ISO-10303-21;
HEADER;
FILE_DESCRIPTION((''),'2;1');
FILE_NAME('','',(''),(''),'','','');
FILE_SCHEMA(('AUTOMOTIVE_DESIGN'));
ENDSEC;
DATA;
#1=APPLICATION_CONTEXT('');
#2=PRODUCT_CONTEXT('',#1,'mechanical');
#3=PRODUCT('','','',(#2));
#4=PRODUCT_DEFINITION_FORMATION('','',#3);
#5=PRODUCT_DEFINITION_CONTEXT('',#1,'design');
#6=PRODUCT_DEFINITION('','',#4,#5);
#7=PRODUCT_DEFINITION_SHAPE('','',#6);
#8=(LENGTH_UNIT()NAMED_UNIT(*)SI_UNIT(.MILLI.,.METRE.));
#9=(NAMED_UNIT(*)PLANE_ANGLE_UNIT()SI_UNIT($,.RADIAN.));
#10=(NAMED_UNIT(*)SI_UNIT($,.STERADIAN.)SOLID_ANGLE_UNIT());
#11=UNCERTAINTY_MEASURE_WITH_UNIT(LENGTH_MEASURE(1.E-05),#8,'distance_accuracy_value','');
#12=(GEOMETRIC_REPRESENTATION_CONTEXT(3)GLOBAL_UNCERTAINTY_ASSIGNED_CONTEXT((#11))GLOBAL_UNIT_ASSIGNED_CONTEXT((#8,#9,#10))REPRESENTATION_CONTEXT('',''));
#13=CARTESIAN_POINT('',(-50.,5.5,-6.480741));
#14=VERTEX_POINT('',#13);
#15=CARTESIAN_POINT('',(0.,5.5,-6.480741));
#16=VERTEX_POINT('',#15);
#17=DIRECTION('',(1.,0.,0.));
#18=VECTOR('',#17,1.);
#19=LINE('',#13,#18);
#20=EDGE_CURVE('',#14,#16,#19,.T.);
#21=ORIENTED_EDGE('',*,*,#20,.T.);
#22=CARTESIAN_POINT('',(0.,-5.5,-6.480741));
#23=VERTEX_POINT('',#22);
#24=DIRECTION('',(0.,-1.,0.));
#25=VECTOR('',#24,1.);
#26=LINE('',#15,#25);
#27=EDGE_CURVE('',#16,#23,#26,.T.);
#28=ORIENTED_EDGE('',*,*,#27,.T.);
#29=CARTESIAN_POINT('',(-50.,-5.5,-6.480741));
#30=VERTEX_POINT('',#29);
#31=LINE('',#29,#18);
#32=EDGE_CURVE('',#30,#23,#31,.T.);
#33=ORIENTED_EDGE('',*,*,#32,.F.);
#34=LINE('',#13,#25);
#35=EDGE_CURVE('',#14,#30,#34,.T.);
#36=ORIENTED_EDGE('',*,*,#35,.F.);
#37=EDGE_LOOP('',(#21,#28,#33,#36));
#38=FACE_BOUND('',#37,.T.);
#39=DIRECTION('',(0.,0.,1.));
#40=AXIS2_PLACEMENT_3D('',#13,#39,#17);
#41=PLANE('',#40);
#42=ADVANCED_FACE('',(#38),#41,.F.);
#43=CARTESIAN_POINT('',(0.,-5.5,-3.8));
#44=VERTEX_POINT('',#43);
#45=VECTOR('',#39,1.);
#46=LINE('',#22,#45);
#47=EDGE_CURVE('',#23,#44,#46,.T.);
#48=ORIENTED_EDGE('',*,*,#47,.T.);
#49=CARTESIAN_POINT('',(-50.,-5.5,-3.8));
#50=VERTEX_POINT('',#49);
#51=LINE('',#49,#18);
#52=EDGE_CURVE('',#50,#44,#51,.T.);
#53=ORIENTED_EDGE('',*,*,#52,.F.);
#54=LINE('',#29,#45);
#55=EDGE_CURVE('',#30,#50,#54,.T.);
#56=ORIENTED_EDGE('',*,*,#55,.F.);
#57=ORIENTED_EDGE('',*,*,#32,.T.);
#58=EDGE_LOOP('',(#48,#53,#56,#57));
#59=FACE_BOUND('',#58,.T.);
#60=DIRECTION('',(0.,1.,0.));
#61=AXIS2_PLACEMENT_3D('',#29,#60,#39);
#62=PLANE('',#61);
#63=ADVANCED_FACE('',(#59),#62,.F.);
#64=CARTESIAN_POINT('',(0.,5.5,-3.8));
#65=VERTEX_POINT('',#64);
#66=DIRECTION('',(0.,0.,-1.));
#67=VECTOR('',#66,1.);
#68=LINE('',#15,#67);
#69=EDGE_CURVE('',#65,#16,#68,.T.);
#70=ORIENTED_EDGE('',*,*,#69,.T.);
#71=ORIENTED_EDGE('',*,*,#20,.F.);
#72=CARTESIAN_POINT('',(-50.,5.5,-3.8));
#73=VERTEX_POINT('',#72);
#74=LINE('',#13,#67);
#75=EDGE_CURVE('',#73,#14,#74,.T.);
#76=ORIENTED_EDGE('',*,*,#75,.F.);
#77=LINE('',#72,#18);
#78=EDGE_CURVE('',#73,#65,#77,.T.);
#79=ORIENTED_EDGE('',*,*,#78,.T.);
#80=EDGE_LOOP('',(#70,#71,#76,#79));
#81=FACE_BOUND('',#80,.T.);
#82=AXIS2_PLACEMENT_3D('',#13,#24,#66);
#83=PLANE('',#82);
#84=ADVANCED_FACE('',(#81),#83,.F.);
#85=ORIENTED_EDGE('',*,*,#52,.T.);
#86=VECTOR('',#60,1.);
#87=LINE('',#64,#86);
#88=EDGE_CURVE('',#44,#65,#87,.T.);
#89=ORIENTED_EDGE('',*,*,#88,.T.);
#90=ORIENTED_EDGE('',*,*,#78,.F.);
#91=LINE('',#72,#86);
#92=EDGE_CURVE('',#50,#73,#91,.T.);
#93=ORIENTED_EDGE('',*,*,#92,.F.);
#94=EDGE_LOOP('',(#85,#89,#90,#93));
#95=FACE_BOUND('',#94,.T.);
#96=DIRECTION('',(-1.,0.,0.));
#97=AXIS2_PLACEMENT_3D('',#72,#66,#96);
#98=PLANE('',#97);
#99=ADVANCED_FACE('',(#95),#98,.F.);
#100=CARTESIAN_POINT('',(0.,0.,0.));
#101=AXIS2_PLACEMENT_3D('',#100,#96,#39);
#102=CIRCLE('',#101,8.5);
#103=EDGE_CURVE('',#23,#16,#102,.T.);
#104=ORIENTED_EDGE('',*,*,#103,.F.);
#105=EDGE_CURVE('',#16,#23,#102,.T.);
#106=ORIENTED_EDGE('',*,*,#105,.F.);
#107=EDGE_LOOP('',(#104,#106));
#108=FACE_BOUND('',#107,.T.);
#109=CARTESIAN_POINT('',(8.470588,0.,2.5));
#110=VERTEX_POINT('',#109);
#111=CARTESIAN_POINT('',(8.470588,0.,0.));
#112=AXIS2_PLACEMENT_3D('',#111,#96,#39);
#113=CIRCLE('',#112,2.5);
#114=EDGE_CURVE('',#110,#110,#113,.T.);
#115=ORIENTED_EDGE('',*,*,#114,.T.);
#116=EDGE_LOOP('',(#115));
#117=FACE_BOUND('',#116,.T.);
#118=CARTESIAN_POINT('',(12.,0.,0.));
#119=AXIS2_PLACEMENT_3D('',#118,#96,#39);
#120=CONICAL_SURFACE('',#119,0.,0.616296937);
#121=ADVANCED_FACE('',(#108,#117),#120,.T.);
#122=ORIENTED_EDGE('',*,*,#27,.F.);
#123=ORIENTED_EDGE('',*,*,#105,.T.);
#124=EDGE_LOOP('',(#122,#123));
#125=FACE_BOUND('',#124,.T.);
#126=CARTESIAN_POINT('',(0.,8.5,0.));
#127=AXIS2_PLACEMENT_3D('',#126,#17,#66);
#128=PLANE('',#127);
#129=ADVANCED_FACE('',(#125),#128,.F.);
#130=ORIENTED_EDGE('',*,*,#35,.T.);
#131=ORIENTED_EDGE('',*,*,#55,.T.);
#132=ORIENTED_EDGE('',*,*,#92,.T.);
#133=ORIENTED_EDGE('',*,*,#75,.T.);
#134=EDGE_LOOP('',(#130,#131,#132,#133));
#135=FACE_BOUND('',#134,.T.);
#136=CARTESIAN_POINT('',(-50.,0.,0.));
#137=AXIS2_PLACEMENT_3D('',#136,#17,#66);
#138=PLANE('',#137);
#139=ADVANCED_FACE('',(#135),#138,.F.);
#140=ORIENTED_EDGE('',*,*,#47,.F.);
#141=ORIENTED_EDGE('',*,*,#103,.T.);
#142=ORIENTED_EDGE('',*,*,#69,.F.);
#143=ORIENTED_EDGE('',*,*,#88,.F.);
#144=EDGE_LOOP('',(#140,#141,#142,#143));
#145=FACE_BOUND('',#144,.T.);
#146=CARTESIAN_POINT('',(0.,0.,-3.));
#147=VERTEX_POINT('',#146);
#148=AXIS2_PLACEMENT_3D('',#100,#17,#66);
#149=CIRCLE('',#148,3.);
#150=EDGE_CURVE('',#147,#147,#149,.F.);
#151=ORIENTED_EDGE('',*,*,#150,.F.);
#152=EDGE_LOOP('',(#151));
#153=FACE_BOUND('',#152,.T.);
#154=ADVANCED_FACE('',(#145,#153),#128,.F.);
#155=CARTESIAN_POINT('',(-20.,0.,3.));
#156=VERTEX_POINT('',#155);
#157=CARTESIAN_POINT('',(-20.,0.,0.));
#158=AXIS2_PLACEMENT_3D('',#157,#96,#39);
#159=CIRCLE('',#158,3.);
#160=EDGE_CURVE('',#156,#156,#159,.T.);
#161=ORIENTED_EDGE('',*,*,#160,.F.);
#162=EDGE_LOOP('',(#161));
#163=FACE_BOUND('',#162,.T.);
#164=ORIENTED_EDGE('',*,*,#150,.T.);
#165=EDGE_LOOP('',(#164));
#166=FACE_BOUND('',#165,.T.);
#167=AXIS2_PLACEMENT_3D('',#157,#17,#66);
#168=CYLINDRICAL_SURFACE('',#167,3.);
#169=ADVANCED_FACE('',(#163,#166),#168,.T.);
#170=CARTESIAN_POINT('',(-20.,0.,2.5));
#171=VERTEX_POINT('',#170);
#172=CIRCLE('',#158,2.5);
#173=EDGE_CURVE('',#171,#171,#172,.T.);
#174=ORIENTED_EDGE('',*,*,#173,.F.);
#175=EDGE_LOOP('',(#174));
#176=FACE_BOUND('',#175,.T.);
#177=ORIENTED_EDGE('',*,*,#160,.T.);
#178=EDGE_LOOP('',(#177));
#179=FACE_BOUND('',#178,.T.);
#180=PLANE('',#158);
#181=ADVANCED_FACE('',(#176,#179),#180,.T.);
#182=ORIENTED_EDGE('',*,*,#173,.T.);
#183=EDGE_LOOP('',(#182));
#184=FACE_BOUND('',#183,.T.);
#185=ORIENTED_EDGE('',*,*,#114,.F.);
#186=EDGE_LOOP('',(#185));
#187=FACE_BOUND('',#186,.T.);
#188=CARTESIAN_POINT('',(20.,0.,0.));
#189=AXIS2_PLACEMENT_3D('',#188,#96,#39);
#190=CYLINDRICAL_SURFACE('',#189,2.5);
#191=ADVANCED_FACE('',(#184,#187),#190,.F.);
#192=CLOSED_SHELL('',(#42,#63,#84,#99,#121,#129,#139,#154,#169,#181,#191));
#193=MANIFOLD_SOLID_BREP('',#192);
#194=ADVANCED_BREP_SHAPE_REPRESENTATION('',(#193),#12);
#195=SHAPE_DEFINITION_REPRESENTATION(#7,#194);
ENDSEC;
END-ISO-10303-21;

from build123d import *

# Parameters (mm, degrees)
SKETCH_2_R          = 2.5
CUT_EXTRUDE_3_DEPTH = 20
EXTRUDE_START       = 20
SKETCH_4_R          = 3
SKETCH_4_R_2        = 2.5
EXTRUDE_1_DEPTH     = 20
SKETCH_5_W          = 2.680740698
SKETCH_5_H          = 11
EXTRUDE_2_DEPTH     = 50


with BuildPart() as part:
    # 草圖1 → 旋轉2 (revolve)
    with BuildSketch(Plane.XY, mode=Mode.PRIVATE) as revolve_2_sk:
        Polygon((0, 8.5), (0, 0), (12, 0), align=None)
    revolve(revolve_2_sk.sketch.rotate(Axis((0, 0, 0), (1, 0, 0)), 90), axis=Axis((0, 0, 0), (1, 0, 0)))

    # 草圖2 → 除料-伸長3 (cut)
    with BuildSketch(Plane.ZY):
        Circle(SKETCH_2_R)
    extrude(amount=-CUT_EXTRUDE_3_DEPTH, mode=Mode.SUBTRACT)

    # 草圖4 → 填料-伸長1 (add)
    with BuildSketch(Plane.ZY.offset(EXTRUDE_START)):
        with Locations(Location((0, 0, 0), (0, 0, 180))):
            Circle(SKETCH_4_R)
        Circle(SKETCH_4_R_2, mode=Mode.SUBTRACT)
    extrude(amount=-EXTRUDE_1_DEPTH)

    # 草圖5 → 填料-伸長2 (add)
    with BuildSketch(Plane.ZY):
        with Locations((-5.140370349, 0)):
            Rectangle(SKETCH_5_W, SKETCH_5_H)
    extrude(amount=EXTRUDE_2_DEPTH)


solid = part.part
